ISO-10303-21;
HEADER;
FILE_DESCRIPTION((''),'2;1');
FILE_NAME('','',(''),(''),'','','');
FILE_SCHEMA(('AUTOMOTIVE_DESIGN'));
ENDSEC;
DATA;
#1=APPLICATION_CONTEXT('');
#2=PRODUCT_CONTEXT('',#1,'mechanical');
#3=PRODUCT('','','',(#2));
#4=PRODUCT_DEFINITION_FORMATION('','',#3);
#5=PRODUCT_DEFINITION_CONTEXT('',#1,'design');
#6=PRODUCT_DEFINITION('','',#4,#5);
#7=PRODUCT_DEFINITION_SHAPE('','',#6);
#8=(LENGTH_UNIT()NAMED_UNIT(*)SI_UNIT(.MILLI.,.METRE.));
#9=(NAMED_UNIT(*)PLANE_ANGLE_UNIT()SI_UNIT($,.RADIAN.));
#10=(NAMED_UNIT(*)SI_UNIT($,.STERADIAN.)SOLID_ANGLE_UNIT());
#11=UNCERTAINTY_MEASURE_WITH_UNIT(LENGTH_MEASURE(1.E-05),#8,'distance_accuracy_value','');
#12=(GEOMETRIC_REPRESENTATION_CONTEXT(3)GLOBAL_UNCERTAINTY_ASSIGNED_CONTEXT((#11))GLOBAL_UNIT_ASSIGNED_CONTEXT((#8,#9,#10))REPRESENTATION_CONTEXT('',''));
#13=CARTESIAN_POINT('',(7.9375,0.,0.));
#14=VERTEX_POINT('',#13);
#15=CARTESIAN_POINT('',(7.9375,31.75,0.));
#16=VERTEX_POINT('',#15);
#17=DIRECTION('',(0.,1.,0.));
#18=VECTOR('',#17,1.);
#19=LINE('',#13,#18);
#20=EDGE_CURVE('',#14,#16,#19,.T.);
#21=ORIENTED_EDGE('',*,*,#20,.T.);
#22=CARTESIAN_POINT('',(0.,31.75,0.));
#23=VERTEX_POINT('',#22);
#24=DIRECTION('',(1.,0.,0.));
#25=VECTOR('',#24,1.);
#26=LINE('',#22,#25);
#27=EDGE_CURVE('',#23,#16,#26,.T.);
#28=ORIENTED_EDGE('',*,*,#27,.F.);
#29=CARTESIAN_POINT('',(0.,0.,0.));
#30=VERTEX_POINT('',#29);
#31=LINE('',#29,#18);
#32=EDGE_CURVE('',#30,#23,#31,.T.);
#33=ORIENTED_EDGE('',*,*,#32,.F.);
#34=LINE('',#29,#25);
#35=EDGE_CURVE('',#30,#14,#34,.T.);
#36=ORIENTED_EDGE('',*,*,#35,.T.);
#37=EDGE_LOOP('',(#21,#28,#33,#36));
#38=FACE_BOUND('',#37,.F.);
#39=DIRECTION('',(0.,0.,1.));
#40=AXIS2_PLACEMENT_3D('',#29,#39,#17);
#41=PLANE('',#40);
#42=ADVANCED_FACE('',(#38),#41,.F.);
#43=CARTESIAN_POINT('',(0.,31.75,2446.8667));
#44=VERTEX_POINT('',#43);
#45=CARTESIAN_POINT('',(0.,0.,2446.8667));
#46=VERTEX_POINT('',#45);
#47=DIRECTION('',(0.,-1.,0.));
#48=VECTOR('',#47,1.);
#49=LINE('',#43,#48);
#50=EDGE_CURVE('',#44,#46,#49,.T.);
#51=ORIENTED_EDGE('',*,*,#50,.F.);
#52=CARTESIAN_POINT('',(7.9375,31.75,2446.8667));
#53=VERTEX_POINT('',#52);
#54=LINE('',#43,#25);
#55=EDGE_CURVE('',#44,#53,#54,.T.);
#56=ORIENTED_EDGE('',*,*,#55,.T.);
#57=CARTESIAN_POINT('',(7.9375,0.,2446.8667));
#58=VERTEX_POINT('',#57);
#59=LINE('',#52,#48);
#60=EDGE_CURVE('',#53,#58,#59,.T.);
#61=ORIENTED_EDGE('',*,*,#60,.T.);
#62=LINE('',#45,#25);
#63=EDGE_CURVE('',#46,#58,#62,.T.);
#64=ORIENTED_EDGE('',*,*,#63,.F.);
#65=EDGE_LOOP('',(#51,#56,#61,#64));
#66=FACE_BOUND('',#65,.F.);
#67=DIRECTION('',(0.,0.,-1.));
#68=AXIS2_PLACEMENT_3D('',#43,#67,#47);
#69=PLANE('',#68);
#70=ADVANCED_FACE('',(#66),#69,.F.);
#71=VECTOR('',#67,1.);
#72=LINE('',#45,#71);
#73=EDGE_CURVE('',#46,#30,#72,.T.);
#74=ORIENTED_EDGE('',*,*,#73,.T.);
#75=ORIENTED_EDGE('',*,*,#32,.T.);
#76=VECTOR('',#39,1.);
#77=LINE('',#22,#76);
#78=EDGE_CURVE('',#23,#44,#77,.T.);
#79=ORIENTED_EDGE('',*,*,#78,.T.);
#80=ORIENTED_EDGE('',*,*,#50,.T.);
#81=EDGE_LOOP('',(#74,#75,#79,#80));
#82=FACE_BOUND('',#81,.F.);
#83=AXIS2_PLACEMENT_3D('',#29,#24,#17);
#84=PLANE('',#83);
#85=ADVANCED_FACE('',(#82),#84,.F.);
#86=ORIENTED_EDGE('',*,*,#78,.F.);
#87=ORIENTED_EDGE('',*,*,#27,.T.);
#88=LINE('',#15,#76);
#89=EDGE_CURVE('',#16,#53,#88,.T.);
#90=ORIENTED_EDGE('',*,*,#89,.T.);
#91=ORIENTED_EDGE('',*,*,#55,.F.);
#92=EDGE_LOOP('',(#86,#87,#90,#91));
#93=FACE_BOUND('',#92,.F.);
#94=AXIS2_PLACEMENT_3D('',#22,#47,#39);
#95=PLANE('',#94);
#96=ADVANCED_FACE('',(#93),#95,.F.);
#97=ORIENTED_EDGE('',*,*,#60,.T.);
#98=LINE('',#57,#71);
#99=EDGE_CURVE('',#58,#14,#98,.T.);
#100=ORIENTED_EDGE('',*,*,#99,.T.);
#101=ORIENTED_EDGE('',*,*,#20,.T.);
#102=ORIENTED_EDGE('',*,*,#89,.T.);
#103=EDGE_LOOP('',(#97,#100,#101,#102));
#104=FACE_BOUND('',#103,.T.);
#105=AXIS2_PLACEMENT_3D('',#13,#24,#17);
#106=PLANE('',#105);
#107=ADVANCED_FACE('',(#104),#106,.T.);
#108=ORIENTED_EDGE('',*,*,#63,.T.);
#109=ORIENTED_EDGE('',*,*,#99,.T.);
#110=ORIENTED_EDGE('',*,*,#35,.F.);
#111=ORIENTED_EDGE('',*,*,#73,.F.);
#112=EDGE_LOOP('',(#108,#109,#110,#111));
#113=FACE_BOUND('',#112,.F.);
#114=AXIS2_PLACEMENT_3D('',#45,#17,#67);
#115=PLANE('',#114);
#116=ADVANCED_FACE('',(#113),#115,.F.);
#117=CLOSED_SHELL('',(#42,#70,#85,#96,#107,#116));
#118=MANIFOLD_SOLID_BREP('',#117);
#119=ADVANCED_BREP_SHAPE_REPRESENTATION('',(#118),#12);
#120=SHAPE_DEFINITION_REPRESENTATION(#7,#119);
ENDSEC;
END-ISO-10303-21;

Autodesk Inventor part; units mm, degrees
ref_plane "YZ Plane" through (0, 0, 0) normal (1, 0, 0) x (0, 1, 0)
ref_plane "XZ Plane" through (0, 0, 0) normal (0, 1, 0) x (-1, 0, 0)
ref_plane "XY Plane" through (0, 0, 0) normal (0, 0, 1) x (1, 0, 0)
sketch "Sketch1" plane through (0, 0, 0) normal (1, 0, 0) x (0, 1, 0)
  line L0 (0, 0) -> (31.75, 0)
  line L1 (31.75, 0) -> (31.75, 2446.8667)
  line L2 (31.75, 2446.8667) -> (0, 2446.8667)
  line L3 (0, 2446.8667) -> (0, 0)
  dimension "d1" = 31.75
  dimension "d4" = 2446.8667
extrude "Extrusion1" add sketch "Sketch1" along normal blind 7.9375
properties part number "Starter_Strip"
